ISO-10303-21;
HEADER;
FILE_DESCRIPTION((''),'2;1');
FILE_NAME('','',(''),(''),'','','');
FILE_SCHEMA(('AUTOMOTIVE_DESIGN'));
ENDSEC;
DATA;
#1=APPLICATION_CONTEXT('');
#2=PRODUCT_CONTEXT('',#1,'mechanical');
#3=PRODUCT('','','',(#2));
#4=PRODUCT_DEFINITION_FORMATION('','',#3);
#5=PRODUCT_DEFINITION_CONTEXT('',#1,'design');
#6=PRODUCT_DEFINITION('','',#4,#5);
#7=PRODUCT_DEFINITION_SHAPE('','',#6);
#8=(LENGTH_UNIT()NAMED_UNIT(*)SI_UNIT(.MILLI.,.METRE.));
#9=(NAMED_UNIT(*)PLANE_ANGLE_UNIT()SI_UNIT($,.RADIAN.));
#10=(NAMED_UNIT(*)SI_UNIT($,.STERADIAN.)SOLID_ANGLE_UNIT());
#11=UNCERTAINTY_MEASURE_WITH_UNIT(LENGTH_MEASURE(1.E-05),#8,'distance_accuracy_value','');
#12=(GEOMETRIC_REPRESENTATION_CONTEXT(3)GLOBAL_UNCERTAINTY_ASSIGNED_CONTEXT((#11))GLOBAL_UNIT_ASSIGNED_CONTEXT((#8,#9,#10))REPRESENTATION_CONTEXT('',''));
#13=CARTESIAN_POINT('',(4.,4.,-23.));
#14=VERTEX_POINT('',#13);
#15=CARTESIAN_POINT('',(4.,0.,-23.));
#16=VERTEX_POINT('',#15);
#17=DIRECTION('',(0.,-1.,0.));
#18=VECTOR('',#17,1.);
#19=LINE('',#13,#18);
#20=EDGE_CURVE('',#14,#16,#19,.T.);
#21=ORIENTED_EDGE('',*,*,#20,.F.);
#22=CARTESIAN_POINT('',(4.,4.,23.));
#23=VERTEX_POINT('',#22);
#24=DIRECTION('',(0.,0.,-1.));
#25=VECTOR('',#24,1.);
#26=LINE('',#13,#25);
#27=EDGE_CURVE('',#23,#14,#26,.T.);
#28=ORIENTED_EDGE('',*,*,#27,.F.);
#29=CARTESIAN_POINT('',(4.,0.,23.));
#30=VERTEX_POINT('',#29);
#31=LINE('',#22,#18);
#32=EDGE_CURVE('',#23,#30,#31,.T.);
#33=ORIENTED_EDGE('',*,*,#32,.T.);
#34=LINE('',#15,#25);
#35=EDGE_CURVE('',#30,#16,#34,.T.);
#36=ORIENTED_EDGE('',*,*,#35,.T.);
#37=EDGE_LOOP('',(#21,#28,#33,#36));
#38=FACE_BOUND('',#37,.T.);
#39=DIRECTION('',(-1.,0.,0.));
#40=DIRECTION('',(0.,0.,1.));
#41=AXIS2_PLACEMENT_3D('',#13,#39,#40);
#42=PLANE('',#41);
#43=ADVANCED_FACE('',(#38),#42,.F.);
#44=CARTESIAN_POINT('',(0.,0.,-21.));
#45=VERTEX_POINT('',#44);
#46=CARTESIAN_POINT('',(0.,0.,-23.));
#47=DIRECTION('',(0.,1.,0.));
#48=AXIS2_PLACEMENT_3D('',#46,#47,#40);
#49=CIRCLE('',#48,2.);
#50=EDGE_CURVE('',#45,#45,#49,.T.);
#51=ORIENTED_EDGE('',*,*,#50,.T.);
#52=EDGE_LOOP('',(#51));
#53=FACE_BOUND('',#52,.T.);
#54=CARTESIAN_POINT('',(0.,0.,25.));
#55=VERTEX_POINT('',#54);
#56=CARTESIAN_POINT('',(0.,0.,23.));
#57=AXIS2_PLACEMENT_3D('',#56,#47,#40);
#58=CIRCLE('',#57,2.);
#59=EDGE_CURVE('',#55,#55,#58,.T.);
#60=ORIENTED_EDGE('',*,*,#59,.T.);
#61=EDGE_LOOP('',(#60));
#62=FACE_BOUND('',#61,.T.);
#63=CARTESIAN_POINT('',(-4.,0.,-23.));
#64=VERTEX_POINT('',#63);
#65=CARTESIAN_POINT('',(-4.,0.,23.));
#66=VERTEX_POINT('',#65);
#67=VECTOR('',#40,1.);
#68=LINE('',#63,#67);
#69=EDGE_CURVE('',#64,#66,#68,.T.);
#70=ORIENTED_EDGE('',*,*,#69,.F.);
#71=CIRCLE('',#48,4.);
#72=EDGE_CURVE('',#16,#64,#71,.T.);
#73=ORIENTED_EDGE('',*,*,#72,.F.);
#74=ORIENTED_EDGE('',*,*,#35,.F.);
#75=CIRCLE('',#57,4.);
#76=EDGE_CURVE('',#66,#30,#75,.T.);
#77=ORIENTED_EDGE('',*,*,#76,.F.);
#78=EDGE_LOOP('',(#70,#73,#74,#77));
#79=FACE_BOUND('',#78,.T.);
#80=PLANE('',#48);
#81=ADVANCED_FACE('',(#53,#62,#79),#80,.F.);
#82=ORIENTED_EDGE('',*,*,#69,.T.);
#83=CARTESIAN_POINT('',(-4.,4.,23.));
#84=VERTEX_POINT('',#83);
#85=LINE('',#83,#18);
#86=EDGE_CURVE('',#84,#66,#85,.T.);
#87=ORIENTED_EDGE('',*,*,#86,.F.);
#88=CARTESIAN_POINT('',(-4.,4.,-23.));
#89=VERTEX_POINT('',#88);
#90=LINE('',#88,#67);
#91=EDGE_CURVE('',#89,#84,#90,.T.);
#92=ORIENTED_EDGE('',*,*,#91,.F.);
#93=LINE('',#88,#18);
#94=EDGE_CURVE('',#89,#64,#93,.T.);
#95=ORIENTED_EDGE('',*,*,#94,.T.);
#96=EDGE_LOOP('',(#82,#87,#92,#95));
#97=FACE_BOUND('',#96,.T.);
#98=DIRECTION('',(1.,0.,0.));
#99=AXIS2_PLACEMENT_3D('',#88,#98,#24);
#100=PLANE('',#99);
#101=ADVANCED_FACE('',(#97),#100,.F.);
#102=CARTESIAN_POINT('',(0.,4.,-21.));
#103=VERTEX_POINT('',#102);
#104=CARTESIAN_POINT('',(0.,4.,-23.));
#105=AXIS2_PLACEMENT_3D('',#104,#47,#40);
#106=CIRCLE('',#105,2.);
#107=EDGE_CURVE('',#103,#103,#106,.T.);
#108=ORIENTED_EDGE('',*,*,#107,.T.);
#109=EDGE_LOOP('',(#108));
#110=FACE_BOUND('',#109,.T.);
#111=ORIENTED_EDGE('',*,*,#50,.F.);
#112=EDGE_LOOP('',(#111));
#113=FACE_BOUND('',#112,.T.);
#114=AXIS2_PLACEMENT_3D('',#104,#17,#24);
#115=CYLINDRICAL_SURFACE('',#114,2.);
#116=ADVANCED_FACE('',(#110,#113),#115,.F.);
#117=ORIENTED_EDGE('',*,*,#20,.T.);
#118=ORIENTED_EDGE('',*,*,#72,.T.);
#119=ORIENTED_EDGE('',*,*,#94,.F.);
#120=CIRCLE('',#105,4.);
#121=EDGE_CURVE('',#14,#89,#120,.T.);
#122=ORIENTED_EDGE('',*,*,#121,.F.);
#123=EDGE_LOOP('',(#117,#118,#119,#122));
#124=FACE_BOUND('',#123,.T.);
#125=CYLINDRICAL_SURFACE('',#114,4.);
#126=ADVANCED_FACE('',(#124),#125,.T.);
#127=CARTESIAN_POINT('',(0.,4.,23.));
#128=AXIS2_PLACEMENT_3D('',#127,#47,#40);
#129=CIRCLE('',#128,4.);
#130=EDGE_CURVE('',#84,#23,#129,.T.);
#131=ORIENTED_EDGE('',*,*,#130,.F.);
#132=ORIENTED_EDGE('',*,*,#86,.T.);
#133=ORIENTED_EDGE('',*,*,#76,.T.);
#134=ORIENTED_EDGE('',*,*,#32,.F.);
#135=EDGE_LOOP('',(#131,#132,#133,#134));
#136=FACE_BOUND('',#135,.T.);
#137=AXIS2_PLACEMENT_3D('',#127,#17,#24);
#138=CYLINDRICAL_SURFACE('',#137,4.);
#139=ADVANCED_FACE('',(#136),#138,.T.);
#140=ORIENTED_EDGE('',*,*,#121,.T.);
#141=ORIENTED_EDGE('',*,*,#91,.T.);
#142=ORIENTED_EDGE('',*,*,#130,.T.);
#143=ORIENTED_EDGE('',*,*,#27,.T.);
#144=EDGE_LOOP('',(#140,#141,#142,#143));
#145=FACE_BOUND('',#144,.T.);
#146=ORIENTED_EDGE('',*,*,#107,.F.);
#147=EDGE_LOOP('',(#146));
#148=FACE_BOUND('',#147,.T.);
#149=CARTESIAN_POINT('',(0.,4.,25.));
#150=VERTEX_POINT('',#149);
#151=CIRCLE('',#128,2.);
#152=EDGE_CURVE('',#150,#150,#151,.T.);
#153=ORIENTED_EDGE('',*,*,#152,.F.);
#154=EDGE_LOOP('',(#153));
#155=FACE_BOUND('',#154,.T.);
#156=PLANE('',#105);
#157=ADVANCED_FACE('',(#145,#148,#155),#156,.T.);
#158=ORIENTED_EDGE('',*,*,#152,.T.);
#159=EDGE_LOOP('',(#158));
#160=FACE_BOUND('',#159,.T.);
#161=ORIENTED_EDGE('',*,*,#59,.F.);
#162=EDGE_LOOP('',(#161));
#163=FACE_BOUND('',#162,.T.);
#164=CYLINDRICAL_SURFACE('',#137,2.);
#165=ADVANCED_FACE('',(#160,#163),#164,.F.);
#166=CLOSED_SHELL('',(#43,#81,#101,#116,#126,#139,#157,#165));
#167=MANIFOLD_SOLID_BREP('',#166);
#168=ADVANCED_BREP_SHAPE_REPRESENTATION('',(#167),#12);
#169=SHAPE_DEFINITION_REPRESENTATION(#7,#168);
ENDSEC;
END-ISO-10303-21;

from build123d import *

# Parameters (mm, degrees)
SKETCH1_R           = 2
BOSS_EXTRUDE1_DEPTH = 4


with BuildPart() as part:
    # Sketch1 → Boss-Extrude1 (new body)
    with BuildSketch(Plane(origin=(0, 0, 0), x_dir=(1, 0, 0), z_dir=(0, 1, 0))):
        with BuildLine():
            Line((4, 23), (4, -23))
            ThreePointArc((4, -23), (0, -27), (-4, -23))
            Line((-4, -23), (-4, 23))
            ThreePointArc((-4, 23), (0, 27), (4, 23))
        make_face()
        with Locations((0, 23)):
            Circle(SKETCH1_R, mode=Mode.SUBTRACT)
        with Locations((0, -23)):
            Circle(SKETCH1_R, mode=Mode.SUBTRACT)
    extrude(amount=BOSS_EXTRUDE1_DEPTH)


solid = part.part
